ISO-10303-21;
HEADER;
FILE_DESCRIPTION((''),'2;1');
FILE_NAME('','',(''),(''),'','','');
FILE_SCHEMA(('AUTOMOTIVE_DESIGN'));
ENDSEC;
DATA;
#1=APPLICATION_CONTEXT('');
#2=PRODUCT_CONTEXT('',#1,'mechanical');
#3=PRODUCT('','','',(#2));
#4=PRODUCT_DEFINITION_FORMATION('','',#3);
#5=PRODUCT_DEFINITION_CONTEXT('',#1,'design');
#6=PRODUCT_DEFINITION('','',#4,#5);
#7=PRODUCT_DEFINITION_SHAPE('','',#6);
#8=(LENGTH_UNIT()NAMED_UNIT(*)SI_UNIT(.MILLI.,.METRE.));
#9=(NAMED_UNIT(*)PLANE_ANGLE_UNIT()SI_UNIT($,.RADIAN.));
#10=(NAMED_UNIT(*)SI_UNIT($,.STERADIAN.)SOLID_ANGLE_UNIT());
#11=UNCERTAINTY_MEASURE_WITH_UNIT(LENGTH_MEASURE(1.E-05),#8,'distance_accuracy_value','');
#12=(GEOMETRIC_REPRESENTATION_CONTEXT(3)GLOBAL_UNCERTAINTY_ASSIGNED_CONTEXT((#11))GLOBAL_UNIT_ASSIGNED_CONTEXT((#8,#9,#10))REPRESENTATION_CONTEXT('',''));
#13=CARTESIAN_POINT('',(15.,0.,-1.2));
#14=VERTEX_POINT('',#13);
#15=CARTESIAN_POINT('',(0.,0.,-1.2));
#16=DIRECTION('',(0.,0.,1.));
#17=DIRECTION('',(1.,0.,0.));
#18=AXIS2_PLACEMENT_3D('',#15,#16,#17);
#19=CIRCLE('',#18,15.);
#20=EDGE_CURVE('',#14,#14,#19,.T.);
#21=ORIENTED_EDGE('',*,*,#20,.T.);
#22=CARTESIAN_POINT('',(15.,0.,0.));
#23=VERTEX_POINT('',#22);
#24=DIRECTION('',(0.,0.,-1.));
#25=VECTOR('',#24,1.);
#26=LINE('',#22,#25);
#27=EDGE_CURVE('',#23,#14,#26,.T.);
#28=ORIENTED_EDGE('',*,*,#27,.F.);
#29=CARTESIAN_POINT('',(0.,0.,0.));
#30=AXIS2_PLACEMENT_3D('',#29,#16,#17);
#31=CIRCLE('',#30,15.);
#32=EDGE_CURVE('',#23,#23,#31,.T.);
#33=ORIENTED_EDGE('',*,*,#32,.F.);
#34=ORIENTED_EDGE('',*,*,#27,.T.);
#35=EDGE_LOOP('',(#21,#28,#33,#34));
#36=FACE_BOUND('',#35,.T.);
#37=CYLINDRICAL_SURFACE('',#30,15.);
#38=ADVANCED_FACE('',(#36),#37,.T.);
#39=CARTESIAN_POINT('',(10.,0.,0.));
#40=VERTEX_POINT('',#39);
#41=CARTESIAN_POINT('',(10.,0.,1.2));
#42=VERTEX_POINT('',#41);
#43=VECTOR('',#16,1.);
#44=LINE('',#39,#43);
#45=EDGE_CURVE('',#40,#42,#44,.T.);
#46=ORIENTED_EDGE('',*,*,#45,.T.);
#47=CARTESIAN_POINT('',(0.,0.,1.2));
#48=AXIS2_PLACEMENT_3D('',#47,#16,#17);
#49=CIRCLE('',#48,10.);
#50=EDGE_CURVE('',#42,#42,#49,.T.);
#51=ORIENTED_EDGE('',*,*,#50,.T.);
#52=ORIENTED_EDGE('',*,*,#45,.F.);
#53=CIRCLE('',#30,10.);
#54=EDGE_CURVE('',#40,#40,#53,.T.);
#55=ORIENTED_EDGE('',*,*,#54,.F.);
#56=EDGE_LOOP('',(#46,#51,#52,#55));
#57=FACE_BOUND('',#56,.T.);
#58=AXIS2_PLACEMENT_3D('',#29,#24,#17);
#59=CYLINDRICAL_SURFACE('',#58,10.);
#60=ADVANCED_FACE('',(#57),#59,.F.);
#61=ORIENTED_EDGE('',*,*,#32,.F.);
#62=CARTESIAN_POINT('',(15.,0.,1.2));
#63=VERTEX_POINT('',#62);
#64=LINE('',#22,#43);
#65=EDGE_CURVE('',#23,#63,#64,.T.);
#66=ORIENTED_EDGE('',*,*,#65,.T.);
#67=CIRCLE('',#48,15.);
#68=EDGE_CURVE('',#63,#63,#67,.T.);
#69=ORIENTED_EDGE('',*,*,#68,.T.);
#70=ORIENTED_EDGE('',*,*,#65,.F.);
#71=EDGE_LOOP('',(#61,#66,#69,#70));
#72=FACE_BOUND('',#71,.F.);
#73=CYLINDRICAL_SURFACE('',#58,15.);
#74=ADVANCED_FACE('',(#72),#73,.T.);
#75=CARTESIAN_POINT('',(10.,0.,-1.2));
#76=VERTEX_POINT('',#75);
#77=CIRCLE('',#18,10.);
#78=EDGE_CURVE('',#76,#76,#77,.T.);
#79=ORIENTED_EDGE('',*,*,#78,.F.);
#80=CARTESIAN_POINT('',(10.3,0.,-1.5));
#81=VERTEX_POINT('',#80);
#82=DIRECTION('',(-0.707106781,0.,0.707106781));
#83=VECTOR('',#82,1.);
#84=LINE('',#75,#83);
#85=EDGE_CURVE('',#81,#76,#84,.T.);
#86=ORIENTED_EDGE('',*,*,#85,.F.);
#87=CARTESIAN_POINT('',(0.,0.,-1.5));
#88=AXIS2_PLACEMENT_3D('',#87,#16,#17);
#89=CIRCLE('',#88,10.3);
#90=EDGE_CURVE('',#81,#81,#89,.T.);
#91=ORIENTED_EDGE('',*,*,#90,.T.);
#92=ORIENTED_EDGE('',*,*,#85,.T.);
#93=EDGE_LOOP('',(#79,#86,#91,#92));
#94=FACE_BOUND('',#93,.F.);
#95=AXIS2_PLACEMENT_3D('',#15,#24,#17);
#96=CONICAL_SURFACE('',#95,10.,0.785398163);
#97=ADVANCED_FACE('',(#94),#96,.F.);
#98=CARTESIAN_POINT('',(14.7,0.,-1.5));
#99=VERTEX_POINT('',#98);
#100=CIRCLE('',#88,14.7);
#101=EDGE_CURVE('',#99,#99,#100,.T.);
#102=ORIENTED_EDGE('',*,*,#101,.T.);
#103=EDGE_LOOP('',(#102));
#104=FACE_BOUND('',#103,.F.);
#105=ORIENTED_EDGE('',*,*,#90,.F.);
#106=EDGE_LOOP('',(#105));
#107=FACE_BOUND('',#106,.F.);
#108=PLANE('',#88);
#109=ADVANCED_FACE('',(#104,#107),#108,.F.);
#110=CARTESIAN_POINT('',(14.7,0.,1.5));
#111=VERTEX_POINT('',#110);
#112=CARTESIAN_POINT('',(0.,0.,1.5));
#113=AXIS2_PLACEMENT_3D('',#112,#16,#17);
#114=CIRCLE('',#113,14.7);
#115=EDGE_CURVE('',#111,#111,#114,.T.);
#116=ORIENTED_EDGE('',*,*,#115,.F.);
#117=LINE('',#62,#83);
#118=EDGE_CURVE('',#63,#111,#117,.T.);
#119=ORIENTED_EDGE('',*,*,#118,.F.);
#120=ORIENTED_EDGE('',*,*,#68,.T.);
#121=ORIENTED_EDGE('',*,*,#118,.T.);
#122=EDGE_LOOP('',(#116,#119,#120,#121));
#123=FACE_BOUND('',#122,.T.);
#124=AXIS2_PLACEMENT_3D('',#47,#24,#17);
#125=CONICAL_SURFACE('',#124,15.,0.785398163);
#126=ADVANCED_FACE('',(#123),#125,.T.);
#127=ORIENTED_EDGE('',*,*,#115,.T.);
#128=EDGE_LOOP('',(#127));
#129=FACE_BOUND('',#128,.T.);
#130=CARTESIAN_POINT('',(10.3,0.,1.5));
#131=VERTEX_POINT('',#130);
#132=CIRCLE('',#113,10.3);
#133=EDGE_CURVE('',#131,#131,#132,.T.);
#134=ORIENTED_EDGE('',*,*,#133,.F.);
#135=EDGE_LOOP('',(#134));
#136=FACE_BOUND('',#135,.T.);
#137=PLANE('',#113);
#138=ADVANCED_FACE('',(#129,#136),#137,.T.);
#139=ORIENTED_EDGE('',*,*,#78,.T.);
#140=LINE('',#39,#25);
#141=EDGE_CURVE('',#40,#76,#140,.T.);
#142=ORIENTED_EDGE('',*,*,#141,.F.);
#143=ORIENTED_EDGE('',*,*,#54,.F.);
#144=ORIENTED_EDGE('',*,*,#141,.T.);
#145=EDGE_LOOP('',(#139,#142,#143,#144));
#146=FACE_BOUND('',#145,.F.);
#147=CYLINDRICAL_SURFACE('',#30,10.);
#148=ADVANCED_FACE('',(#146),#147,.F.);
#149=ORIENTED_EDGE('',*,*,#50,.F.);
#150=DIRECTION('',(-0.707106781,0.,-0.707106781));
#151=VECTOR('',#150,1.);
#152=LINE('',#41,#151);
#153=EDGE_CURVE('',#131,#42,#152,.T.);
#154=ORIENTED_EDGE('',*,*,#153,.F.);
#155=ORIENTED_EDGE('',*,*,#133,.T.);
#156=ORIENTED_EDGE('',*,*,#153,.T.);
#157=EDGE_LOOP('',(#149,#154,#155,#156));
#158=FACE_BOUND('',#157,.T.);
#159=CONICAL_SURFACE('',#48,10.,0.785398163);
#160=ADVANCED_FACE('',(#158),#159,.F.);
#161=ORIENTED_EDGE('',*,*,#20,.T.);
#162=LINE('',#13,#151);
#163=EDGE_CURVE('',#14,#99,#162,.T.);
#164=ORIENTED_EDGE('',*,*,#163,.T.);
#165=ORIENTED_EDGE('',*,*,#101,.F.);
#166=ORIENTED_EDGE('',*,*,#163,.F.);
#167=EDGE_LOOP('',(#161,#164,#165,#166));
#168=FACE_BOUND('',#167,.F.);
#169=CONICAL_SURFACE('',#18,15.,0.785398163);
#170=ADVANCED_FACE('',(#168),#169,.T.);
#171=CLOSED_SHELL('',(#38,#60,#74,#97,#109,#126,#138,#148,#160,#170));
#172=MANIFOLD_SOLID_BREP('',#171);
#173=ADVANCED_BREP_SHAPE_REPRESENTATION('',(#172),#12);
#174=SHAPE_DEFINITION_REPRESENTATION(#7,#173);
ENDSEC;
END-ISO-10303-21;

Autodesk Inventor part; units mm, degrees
ref_plane "YZ Plane" through (0, 0, 0) normal (1, 0, 0) x (0, 1, 0)
ref_plane "XZ Plane" through (0, 0, 0) normal (0, 1, 0) x (-1, 0, 0)
ref_plane "XY Plane" through (0, 0, 0) normal (0, 0, 1) x (1, 0, 0)
sketch "Esboço1" plane through (0, 0, 0) normal (0, 0, 1) x (1, 0, 0)
  circle A0 centre (0, 0) radius 10
  circle A1 centre (0, 0) radius 15
  dimension "d0" = 20
  dimension "d1" = 30
extrude "Extrusão1" add sketch "Esboço1" along normal mid plane 3
chamfer "Chanfro1" distance 0.3 angle 45 4 edges at (-10, 0, 1.5) (-15, 0, 1.5) (-10, 0, -1.5) (-15, 0, -1.5)
